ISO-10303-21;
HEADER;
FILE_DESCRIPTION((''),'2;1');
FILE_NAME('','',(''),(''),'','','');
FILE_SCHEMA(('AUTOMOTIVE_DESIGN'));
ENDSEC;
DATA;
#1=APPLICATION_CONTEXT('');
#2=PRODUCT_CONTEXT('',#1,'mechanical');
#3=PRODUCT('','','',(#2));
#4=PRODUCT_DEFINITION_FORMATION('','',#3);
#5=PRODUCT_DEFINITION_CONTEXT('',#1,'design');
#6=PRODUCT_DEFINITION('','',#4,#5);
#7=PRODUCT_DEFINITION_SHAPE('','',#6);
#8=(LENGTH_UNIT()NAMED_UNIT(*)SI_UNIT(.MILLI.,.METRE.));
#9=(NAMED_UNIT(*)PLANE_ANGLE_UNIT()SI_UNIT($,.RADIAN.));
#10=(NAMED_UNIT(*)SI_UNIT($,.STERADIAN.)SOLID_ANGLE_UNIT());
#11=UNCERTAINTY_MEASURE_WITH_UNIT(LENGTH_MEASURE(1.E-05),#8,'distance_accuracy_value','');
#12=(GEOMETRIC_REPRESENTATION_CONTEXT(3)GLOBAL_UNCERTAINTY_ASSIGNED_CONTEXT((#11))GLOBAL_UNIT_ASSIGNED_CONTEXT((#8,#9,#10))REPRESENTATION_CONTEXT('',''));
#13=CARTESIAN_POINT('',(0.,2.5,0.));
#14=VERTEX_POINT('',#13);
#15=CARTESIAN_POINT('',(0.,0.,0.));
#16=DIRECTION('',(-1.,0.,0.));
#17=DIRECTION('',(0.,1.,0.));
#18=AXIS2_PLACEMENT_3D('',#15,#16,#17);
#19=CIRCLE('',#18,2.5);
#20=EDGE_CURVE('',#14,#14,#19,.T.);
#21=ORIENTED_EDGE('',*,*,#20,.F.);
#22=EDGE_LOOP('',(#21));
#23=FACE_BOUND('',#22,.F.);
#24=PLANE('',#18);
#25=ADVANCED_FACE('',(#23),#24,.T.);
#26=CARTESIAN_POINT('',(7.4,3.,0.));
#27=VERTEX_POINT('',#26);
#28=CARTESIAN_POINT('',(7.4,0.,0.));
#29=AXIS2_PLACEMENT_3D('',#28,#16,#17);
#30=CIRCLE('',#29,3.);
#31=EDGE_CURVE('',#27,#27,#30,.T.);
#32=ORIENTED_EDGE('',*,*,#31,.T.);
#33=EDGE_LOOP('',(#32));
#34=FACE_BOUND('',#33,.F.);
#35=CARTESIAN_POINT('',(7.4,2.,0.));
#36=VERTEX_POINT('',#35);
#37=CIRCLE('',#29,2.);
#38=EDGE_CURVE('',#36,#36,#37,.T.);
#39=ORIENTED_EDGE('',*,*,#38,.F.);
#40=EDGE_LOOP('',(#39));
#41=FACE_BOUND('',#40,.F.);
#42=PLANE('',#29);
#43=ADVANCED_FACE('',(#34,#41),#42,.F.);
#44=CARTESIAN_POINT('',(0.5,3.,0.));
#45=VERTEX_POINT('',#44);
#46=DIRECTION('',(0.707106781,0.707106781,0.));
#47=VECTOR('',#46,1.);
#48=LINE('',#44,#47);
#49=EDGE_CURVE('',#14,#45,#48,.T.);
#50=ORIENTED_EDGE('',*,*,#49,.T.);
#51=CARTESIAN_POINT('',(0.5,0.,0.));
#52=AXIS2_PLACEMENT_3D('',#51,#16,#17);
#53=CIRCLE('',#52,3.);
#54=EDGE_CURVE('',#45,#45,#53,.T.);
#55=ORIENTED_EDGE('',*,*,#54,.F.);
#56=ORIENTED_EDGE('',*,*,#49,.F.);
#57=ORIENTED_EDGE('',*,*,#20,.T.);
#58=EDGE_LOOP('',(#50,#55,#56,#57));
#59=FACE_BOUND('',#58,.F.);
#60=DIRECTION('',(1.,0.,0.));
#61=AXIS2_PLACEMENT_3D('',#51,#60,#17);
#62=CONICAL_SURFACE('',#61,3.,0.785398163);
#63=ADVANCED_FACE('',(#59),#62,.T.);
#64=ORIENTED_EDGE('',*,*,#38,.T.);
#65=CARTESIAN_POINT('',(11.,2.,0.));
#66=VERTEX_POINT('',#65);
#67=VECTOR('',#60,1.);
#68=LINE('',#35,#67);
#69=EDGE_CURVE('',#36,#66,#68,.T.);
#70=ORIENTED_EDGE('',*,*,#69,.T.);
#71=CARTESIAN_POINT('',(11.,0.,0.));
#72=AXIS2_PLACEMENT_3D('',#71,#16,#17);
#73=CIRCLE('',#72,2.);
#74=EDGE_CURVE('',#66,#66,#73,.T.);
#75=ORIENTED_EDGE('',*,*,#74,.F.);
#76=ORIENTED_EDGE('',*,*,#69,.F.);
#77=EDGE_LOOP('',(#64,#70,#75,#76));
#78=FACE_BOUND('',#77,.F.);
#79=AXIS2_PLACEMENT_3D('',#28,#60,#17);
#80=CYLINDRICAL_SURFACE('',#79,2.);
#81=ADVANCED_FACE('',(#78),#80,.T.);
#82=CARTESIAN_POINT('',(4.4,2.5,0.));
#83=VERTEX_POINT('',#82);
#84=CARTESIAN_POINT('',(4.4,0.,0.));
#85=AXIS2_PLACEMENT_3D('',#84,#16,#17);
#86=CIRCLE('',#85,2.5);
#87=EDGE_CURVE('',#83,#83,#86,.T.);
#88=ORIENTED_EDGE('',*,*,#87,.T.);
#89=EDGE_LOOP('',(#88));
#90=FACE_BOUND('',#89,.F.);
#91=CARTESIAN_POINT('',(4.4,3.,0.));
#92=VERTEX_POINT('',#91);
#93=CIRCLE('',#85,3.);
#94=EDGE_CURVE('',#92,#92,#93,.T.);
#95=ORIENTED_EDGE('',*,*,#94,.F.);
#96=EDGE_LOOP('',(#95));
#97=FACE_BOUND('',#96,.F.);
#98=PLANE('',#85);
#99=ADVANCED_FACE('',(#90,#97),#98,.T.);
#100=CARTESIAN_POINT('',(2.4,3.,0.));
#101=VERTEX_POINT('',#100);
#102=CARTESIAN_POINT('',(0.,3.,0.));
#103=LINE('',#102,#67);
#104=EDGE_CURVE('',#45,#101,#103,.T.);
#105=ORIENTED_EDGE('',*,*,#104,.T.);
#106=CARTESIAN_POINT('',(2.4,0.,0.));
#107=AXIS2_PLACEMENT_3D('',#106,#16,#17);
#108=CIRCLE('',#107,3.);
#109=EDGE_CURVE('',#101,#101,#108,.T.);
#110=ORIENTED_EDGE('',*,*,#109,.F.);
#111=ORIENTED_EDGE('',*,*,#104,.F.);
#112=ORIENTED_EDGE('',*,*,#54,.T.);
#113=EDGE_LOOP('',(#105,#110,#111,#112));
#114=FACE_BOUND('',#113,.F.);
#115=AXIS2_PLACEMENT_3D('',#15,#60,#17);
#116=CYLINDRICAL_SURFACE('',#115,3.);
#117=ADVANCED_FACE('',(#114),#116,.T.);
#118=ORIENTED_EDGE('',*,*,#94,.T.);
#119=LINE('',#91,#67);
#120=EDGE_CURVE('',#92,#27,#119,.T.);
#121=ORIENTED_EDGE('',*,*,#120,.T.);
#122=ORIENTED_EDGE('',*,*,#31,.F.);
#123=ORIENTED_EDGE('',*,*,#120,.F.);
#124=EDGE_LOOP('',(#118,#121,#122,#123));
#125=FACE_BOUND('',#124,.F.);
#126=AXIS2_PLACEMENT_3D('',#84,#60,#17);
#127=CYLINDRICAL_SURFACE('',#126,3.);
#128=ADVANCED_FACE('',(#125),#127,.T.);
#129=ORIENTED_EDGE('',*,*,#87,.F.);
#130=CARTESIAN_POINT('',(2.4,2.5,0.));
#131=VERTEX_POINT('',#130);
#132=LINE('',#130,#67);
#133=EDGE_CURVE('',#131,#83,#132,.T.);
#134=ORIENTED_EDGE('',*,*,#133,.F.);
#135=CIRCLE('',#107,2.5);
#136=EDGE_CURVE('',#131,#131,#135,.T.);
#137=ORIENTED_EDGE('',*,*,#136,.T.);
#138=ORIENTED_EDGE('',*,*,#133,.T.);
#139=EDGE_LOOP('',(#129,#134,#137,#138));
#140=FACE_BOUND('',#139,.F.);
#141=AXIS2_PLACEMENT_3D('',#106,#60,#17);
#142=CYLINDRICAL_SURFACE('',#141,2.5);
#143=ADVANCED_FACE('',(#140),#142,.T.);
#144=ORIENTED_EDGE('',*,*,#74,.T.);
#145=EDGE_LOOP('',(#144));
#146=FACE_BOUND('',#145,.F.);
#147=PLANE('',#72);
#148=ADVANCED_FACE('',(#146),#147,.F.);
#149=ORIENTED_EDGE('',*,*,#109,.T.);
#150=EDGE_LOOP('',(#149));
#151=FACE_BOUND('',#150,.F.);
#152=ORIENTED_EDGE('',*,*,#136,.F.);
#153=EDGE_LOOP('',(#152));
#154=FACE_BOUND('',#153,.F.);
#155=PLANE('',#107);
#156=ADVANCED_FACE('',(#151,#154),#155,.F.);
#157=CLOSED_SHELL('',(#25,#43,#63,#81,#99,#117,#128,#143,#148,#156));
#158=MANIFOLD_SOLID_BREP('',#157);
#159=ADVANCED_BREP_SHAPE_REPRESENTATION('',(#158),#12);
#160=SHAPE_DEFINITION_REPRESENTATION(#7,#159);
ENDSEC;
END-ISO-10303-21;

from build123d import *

# Parameters (mm, degrees)
CHANFREIN1_SIZE = 0.5


with BuildPart() as part:
    # Esquisse1 → Révolution1 (revolve)
    with BuildSketch(Plane.XY):
        Polygon((0, 0), (0, 3), (2.4, 3), (2.4, 2.5), (4.4, 2.5), (4.4, 3), (7.4, 3), (7.4, 2), (11, 2), (11, 0), align=None)
    revolve(axis=Axis((11, 0, 0), (-1, 0, 0)))

    # Chanfrein1
    chanfrein1_edges = [part.edges().sort_by_distance(p)[0] for p in [
        (0, -3, 0),
    ]]
    chamfer(chanfrein1_edges, length=CHANFREIN1_SIZE)


solid = part.part
